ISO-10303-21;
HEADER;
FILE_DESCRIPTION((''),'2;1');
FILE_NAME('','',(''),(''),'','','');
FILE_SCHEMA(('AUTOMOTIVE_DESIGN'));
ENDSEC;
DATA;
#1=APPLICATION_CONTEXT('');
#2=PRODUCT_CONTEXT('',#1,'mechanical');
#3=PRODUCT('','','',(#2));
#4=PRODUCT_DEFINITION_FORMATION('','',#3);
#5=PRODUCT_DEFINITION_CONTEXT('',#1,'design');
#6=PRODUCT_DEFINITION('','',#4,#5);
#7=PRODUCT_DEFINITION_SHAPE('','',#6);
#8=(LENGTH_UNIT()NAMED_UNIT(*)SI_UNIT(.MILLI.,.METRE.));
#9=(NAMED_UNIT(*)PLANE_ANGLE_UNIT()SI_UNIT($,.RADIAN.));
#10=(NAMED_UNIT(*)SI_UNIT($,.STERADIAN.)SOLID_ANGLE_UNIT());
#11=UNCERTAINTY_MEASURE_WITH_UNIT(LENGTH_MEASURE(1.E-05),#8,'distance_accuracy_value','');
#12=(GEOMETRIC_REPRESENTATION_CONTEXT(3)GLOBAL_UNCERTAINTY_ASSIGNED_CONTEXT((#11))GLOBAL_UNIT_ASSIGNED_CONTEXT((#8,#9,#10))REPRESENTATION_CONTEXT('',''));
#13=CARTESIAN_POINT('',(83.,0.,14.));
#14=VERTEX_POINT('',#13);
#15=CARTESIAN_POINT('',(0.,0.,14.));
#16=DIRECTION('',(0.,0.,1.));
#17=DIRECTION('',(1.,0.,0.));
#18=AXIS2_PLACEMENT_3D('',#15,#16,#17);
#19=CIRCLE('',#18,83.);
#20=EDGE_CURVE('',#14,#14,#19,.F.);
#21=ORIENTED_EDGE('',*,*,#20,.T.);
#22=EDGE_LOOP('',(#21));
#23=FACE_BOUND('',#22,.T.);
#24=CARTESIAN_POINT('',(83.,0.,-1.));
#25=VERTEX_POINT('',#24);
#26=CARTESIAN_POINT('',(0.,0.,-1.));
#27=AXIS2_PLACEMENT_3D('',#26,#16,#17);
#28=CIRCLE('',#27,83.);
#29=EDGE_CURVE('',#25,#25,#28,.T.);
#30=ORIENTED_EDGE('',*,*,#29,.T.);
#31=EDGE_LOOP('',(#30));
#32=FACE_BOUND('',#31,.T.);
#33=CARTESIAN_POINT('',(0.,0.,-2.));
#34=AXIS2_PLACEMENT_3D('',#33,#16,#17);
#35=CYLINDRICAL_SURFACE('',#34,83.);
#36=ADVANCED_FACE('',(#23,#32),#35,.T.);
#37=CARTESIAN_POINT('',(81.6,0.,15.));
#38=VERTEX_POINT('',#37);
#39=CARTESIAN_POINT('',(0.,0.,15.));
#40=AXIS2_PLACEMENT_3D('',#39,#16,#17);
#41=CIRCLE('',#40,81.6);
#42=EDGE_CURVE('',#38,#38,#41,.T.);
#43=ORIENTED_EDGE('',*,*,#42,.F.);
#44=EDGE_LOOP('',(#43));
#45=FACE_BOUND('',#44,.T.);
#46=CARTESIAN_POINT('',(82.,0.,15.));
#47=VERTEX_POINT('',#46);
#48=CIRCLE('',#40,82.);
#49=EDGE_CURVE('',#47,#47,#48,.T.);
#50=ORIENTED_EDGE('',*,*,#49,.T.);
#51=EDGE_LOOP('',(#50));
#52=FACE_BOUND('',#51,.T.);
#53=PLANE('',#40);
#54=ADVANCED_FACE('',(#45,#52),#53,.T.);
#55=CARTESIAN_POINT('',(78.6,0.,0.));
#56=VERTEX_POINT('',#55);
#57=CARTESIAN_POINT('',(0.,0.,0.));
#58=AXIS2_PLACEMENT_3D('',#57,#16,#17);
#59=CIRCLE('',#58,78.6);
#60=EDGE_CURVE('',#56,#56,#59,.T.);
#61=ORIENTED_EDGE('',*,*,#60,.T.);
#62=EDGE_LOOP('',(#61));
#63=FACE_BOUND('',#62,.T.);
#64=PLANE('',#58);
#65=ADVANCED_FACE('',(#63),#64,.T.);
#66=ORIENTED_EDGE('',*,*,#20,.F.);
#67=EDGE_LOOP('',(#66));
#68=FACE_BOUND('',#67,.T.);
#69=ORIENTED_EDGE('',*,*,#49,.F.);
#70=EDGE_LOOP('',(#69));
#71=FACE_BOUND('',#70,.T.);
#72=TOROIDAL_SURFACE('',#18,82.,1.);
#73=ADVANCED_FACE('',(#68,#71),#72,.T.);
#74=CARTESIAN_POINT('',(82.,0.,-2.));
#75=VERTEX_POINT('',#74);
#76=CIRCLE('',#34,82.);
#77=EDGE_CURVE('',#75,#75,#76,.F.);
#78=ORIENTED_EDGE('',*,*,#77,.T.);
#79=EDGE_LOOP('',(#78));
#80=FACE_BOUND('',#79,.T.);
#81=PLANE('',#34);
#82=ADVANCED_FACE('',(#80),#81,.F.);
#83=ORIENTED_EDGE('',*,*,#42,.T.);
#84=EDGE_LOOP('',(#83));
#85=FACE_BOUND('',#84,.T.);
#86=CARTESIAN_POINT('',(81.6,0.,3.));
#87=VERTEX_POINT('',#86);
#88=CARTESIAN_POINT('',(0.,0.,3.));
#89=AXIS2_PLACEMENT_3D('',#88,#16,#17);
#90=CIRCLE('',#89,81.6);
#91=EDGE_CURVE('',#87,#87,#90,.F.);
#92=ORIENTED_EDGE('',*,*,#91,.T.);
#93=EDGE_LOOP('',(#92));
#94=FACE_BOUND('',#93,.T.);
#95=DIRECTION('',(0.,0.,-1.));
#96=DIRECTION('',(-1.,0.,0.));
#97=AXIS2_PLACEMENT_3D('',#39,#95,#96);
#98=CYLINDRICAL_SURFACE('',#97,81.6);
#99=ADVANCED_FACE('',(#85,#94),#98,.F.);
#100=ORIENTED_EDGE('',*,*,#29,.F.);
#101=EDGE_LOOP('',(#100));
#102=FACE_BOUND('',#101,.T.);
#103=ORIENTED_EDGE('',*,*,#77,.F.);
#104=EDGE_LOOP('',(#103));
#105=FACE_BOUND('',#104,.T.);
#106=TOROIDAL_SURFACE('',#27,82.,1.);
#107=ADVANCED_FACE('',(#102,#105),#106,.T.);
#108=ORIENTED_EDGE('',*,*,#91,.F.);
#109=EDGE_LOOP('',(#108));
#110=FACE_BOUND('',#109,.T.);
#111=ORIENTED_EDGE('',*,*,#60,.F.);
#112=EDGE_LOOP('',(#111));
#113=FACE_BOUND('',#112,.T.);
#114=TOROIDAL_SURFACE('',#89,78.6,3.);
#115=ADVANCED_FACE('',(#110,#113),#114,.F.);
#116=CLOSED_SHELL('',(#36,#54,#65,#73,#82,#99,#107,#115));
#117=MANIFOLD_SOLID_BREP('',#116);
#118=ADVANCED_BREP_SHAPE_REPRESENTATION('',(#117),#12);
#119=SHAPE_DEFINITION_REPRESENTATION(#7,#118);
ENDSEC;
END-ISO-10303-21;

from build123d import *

# Parameters (mm, degrees)
SKETCH1_R           = 83
BOSS_EXTRUDE1_DEPTH = 2
BOSS_EXTRUDE2_START = 15
SKETCH1_3_R         = 83
SKETCH1_3_R_2       = 81.6
BOSS_EXTRUDE2_DEPTH = 15
FILLET3_R           = 1
FILLET4_R           = 1
FILLET5_R           = 3


with BuildPart() as part:
    # Sketch1 → Boss-Extrude1 (new body)
    with BuildSketch(Plane.XY):
        Circle(SKETCH1_R)
    extrude(amount=-BOSS_EXTRUDE1_DEPTH)

    # Sketch1<3> → Boss-Extrude2 (add)
    with BuildSketch(Plane.XY.offset(BOSS_EXTRUDE2_START)):
        Circle(SKETCH1_3_R)
        Circle(SKETCH1_3_R_2, mode=Mode.SUBTRACT)
    extrude(amount=-BOSS_EXTRUDE2_DEPTH)

    # Fillet3
    fillet3_edges = [part.edges().sort_by_distance(p)[0] for p in [
        (-83, 0, -2),
    ]]
    fillet(fillet3_edges, radius=FILLET3_R)

    # Fillet4
    fillet4_edges = [part.edges().sort_by_distance(p)[0] for p in [
        (-83, 0, 15),
    ]]
    fillet(fillet4_edges, radius=FILLET4_R)

    # Fillet5
    fillet5_edges = [part.edges().sort_by_distance(p)[0] for p in [
        (-81.6, 0, 0),
    ]]
    fillet(fillet5_edges, radius=FILLET5_R)


solid = part.part
